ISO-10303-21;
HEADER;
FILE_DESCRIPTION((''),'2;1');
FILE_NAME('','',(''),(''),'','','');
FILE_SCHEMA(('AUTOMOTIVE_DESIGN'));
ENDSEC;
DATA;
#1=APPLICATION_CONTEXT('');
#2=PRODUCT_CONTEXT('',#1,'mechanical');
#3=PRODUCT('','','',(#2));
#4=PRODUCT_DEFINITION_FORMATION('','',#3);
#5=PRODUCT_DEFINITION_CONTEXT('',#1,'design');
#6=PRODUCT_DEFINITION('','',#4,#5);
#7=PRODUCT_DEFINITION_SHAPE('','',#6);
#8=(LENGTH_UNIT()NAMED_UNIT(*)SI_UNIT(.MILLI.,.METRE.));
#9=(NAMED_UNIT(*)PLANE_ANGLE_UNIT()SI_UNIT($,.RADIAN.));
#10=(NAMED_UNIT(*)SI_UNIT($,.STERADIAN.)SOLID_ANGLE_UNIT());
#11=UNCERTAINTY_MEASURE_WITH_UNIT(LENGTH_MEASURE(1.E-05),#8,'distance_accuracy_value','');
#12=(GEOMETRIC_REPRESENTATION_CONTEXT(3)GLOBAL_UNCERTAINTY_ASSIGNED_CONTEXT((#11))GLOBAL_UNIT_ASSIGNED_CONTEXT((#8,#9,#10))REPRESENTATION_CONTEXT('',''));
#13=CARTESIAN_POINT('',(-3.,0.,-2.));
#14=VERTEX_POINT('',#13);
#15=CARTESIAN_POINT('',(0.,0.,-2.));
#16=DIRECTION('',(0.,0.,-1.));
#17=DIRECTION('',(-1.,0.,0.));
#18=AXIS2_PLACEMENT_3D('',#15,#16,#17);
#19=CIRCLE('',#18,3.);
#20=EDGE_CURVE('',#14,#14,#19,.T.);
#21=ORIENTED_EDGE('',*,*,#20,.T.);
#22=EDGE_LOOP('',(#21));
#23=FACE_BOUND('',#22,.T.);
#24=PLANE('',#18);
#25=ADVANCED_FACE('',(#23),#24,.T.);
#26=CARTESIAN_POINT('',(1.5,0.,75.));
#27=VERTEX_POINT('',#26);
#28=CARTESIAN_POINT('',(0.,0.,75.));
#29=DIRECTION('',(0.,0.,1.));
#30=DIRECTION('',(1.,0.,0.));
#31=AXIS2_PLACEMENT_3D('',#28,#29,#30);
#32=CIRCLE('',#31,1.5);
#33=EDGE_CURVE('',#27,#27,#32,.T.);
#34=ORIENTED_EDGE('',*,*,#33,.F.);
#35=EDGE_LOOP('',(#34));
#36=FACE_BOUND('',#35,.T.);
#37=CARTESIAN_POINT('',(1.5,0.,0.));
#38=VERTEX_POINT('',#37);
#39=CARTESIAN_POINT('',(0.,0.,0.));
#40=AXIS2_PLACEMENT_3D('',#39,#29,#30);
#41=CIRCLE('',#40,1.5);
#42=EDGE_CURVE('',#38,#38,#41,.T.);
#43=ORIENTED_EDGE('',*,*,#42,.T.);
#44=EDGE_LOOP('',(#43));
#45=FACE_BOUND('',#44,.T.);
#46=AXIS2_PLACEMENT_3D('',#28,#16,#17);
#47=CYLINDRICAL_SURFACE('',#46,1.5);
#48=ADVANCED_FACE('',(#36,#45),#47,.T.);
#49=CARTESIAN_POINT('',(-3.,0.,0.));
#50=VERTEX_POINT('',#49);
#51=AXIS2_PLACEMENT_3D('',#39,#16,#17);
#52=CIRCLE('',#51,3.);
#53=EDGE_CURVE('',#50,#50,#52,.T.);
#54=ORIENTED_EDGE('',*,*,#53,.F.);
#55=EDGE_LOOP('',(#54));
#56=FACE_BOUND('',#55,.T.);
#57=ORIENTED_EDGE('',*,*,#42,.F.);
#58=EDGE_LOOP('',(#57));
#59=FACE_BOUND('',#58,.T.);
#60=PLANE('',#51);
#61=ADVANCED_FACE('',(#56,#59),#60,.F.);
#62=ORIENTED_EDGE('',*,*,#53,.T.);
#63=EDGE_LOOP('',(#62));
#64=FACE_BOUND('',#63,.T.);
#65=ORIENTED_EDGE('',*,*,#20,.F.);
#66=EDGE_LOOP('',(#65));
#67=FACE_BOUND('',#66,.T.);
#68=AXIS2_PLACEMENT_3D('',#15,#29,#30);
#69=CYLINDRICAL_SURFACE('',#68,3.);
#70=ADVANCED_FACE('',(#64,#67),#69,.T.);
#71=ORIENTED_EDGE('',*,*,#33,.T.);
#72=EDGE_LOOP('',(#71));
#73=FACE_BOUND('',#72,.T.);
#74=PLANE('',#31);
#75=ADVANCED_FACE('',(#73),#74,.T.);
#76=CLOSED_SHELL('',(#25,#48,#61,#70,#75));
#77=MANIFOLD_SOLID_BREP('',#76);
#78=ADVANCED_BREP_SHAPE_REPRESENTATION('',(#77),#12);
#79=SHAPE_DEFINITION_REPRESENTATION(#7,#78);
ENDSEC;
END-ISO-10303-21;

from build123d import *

# Parameters (mm, degrees)
SKETCH1_R           = 1.5
BOSS_EXTRUDE1_DEPTH = 75
SKETCH2_R           = 3
BOSS_EXTRUDE2_DEPTH = 2


with BuildPart() as part:
    # Sketch1 → Boss-Extrude1 (new body)
    with BuildSketch(Plane.XY):
        Circle(SKETCH1_R)
    extrude(amount=BOSS_EXTRUDE1_DEPTH)

    # Sketch2 → Boss-Extrude2 (add)
    with BuildSketch(Plane(origin=(0, 0, 0), x_dir=(-1, 0, 0), z_dir=(0, 0, -1))):
        Circle(SKETCH2_R)
    extrude(amount=BOSS_EXTRUDE2_DEPTH)


solid = part.part
